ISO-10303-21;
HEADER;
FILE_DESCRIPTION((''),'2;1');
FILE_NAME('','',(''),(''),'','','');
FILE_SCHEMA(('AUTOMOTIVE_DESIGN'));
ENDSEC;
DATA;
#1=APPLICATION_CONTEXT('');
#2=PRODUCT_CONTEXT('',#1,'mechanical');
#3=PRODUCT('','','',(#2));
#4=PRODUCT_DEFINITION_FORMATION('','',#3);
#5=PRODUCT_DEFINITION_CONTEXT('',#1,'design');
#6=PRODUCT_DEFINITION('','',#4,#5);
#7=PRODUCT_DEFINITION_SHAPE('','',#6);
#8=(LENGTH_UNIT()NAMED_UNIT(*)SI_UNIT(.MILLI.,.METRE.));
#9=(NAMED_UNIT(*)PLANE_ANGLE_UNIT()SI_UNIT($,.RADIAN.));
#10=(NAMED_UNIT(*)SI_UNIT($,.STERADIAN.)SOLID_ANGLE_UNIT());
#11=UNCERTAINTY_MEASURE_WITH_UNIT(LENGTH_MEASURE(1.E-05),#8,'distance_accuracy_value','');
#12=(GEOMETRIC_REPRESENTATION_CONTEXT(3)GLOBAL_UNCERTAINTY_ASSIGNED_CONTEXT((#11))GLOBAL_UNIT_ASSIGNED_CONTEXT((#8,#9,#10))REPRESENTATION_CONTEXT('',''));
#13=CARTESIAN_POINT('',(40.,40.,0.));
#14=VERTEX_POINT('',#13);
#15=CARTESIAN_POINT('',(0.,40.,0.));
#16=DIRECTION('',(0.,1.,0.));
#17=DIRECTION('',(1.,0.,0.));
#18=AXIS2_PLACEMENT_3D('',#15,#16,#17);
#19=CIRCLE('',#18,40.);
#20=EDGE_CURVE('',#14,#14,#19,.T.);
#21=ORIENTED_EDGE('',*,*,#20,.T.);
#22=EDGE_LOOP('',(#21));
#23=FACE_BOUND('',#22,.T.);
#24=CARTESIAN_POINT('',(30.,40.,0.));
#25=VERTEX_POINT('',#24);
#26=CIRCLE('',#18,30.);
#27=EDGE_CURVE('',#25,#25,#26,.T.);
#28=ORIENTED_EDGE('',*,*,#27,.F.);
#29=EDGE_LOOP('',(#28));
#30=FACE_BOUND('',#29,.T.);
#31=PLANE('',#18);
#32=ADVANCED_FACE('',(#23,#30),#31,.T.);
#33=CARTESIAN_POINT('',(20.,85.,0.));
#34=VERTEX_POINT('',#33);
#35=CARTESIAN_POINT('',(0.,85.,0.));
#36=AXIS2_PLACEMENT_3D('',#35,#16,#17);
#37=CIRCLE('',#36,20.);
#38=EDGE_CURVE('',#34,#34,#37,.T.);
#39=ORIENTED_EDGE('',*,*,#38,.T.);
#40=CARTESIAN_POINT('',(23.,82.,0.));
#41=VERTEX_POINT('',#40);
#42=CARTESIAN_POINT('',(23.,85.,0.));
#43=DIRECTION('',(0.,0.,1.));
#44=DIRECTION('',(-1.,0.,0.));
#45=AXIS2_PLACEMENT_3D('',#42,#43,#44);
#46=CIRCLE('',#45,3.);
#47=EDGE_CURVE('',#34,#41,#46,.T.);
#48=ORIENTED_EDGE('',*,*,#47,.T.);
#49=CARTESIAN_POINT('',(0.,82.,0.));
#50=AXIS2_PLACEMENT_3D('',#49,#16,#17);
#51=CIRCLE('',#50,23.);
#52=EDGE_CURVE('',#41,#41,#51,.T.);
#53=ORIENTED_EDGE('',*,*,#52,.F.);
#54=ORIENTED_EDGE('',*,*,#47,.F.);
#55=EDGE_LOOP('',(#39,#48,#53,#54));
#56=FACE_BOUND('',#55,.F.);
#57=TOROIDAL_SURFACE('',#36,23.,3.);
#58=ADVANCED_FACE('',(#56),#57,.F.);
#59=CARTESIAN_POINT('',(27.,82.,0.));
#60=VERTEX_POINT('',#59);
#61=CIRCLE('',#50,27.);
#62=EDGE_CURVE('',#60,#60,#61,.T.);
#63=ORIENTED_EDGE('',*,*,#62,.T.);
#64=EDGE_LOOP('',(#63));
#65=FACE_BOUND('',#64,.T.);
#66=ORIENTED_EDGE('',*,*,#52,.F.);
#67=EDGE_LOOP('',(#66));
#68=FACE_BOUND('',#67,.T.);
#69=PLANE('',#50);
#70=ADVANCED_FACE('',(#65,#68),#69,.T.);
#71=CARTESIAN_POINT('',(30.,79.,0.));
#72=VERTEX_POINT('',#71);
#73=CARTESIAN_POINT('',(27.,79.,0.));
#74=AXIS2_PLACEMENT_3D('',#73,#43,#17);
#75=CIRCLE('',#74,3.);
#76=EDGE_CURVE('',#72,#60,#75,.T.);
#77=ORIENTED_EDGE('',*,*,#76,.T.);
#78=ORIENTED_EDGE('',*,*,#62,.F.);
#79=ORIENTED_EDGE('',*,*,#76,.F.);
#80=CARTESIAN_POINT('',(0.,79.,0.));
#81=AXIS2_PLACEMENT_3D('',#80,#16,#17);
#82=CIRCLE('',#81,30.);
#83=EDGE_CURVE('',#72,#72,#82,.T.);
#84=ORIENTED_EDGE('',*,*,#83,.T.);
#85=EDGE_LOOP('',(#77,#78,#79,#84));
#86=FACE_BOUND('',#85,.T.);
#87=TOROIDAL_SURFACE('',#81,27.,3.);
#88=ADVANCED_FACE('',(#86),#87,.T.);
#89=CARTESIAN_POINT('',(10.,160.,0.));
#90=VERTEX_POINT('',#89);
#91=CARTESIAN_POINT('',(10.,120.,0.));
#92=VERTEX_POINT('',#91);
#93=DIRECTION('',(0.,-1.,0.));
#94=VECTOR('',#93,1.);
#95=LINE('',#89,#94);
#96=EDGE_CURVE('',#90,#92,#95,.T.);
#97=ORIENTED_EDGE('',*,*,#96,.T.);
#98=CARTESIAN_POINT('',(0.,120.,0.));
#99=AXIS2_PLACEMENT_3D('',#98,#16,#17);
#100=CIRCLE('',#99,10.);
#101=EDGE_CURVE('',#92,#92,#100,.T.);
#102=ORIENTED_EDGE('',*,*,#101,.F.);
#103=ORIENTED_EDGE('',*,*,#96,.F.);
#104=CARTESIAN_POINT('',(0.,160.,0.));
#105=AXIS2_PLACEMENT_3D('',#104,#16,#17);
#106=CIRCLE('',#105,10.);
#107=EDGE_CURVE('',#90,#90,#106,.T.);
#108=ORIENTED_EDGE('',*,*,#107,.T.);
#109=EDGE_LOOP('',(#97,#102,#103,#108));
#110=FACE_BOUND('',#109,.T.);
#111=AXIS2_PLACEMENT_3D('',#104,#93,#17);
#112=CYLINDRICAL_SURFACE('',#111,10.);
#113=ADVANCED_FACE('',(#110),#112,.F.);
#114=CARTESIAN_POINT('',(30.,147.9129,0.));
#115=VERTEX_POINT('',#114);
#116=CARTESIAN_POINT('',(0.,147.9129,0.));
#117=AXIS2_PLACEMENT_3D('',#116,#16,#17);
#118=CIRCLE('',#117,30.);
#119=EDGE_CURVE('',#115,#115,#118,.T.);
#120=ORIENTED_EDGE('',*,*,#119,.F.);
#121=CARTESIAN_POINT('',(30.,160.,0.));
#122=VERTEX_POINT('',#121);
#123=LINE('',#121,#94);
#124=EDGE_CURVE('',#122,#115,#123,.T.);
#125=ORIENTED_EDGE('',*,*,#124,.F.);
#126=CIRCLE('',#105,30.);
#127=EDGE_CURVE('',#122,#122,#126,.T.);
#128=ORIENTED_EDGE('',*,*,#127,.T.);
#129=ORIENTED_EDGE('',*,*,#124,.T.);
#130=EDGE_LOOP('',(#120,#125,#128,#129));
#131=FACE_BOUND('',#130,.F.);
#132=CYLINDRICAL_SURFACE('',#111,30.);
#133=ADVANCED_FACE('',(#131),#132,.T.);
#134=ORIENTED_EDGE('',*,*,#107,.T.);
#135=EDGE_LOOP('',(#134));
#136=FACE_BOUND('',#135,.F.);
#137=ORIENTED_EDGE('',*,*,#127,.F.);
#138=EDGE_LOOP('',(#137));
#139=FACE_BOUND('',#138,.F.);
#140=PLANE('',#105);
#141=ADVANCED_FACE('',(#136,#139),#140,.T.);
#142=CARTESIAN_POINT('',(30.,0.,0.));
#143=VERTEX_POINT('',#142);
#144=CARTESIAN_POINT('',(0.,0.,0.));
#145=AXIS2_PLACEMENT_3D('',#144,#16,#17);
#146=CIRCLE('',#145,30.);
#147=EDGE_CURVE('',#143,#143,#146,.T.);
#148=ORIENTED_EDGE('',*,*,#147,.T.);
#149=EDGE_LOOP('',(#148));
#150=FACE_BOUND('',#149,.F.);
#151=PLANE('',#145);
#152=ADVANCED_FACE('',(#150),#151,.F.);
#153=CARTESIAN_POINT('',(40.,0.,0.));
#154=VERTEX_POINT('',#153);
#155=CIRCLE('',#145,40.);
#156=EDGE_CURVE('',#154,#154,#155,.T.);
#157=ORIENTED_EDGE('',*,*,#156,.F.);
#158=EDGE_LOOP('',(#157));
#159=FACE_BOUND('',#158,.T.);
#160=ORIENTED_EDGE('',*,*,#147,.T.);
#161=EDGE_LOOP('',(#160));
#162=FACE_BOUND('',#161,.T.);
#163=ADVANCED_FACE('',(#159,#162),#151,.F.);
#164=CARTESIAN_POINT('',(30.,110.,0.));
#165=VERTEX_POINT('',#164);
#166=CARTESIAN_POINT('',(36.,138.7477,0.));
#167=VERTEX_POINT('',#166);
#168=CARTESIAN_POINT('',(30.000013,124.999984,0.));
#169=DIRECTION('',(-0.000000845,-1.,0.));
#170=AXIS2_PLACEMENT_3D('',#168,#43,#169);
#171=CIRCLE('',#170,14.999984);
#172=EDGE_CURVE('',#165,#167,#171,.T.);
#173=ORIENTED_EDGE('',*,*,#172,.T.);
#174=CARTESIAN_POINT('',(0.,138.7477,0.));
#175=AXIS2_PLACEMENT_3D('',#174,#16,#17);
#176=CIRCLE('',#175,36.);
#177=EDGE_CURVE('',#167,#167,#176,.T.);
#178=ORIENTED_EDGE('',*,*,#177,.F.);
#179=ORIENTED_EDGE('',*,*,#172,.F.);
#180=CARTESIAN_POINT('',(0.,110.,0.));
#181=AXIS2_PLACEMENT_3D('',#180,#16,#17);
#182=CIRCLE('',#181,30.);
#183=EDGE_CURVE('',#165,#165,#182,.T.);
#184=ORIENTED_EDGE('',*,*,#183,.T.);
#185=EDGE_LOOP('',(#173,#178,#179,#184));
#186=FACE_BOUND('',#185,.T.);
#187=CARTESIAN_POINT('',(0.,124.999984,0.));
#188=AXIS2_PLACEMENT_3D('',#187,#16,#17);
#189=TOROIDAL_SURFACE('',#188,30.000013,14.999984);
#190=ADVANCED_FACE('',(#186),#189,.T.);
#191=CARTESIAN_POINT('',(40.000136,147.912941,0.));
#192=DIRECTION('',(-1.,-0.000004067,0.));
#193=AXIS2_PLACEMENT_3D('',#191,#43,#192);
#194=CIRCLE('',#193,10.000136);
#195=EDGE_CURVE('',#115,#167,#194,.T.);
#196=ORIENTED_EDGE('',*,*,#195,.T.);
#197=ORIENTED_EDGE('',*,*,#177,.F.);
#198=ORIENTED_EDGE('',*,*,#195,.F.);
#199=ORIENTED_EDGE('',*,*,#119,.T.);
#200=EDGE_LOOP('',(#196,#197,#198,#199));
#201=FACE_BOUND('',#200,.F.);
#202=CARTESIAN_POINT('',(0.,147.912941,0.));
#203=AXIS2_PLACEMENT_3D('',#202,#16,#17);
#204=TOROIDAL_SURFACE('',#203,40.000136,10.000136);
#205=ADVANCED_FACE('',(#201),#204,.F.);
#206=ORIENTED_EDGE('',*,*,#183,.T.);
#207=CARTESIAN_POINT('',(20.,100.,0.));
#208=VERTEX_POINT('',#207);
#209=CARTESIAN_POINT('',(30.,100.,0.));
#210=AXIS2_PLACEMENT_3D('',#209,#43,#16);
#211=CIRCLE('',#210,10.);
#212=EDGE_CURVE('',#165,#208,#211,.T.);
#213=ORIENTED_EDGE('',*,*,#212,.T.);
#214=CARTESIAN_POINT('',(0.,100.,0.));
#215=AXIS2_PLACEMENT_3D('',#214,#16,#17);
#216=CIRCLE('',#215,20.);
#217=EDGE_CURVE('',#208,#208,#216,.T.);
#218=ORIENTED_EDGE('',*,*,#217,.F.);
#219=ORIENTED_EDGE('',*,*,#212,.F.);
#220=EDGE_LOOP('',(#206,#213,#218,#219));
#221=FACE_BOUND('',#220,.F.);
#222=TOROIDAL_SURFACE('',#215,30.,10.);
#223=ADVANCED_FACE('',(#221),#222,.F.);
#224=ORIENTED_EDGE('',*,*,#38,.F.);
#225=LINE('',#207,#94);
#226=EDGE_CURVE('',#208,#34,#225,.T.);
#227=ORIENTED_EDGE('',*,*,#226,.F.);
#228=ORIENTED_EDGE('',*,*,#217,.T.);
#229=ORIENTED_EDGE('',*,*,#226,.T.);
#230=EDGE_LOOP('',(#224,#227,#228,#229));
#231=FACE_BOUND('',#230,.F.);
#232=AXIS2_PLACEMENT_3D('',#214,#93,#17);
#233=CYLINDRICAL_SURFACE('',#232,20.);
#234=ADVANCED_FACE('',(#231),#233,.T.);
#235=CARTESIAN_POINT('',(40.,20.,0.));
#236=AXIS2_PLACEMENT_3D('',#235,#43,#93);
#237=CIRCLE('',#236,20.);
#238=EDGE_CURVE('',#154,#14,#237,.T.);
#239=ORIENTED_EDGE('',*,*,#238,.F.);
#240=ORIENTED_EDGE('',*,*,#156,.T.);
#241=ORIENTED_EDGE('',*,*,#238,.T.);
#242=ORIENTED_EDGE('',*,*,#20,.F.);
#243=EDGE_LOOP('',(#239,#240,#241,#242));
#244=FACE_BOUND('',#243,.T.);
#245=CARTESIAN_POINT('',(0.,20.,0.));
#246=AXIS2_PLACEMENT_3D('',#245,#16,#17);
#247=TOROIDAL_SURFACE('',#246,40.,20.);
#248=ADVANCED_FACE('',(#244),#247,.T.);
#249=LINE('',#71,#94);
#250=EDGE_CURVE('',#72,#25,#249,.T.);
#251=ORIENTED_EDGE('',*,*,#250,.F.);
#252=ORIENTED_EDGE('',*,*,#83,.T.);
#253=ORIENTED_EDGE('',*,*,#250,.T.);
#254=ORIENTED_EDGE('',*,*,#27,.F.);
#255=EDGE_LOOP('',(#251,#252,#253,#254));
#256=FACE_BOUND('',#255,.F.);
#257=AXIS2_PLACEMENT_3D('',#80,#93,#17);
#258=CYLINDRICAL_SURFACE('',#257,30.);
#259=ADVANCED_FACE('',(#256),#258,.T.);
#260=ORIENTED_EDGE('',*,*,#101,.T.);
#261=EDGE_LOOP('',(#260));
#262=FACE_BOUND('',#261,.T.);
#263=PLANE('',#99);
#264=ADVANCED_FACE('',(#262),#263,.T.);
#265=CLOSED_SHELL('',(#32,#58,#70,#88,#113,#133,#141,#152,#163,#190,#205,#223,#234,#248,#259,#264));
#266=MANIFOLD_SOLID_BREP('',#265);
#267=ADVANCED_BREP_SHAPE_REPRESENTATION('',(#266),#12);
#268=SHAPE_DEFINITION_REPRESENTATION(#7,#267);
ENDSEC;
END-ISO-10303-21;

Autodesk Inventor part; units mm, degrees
ref_plane "YZ Plane" through (0, 0, 0) normal (1, 0, 0) x (0, 1, 0)
ref_plane "XZ Plane" through (0, 0, 0) normal (0, 1, 0) x (-1, 0, 0)
ref_plane "XY Plane" through (0, 0, 0) normal (0, 0, 1) x (1, 0, 0)
sketch "Sketch2" plane through (0, 0, 0) normal (0, 0, 1) x (1, 0, 0)
  line L0 (0, 0) -> (0, 120)
  line L1 (0, 160) -> (10, 160) construction
  line L2 (30, 160) -> (30, 147.9129)
  line L3 (30, 0) -> (0, 0)
  line L4 (30, 0) -> (30, 40) construction
  line L5 (30, 0) -> (40, 0)
  arc A0 (30, 110) -> (36, 138.7477) centre (30, 125) ccw
  arc A1 (30, 147.9129) -> (36, 138.7477) centre (40, 147.9129) ccw
  arc A2 (30, 110) -> (20, 100) centre (30, 100) ccw
  line L6 (20, 100) -> (20, 85)
  line L7 (20, 0) -> (20, 85) construction
  line L8 (20, 0) -> (40, 0) construction
  arc A3 (20, 85) -> (23, 82) centre (23, 85) ccw construction
  line L9 (0, 82) -> (30, 82) construction
  arc A4 (30, 79) -> (27, 82) centre (27, 79) ccw construction
  arc A5 (20, 85) -> (23, 82) centre (23, 85) ccw
  arc A6 (30, 79) -> (27, 82) centre (27, 79) ccw
  line L10 (27, 82) -> (23, 82)
  line L11 (0, 0) -> (40, 0) construction
  line L12 (40, 0) -> (40, 20) construction
  line L13 (40, 20) -> (0, 20) construction
  line L14 (0, 20) -> (0, 0) construction
  arc A7 (40, 40) -> (40, 0) centre (40, 20) ccw construction
  line L15 (40, 40) -> (30, 40)
  line L16 (40, 0) -> (0, 0) construction
  arc A8 (40, 0) -> (40, 40) centre (40, 20) ccw
  line L17 (40, 0) -> (105, 0) construction
  line L18 (30, 40) -> (0, 40) construction
  line L19 (30, 40) -> (30, 125) construction
  arc A9 (27, 82) -> (30, 79) centre (27, 79) ccw construction
  line L20 (30, 79) -> (30, 40)
  line L21 (20, 85) -> (20, 0) construction
  arc A10 (23, 82) -> (20, 85) centre (23, 85) ccw construction
  line L22 (30, 147.9129) -> (30, 79) construction
  line L23 (0, 160) -> (10, 160) construction
  line L24 (10, 160) -> (10, 120)
  line L25 (10, 120) -> (0, 120)
  line L26 (0, 120) -> (0, 160) construction
  line L27 (10, 160) -> (30, 160)
  line L28 (0, 120) -> (0, 160) construction
  line L29 (0, 120) -> (0, 0)
  line L30 (40, 0) -> (155, 0) construction
  dimension "d0" = 160
  dimension "d1" = 30
  dimension "d2" = 125
  dimension "d3" = 90
  dimension "d4" = 30
  dimension "d5" = 20
  dimension "d6" = 20
  dimension "d7" = 85
  dimension "d8" = 90
  dimension "d9" = 6
  dimension "d10" = 85
  dimension "d11" = 30
  dimension "d12" = 6
  dimension "d13" = 40
  dimension "d14" = 20
  dimension "d15" = 10
  dimension "d16" = 40
revolve "Revolution1" add sketch "Sketch2" angle 360 about axis through (0, 120, 0) along (0, 1, 0)
properties part number "1.2 pt 2"
